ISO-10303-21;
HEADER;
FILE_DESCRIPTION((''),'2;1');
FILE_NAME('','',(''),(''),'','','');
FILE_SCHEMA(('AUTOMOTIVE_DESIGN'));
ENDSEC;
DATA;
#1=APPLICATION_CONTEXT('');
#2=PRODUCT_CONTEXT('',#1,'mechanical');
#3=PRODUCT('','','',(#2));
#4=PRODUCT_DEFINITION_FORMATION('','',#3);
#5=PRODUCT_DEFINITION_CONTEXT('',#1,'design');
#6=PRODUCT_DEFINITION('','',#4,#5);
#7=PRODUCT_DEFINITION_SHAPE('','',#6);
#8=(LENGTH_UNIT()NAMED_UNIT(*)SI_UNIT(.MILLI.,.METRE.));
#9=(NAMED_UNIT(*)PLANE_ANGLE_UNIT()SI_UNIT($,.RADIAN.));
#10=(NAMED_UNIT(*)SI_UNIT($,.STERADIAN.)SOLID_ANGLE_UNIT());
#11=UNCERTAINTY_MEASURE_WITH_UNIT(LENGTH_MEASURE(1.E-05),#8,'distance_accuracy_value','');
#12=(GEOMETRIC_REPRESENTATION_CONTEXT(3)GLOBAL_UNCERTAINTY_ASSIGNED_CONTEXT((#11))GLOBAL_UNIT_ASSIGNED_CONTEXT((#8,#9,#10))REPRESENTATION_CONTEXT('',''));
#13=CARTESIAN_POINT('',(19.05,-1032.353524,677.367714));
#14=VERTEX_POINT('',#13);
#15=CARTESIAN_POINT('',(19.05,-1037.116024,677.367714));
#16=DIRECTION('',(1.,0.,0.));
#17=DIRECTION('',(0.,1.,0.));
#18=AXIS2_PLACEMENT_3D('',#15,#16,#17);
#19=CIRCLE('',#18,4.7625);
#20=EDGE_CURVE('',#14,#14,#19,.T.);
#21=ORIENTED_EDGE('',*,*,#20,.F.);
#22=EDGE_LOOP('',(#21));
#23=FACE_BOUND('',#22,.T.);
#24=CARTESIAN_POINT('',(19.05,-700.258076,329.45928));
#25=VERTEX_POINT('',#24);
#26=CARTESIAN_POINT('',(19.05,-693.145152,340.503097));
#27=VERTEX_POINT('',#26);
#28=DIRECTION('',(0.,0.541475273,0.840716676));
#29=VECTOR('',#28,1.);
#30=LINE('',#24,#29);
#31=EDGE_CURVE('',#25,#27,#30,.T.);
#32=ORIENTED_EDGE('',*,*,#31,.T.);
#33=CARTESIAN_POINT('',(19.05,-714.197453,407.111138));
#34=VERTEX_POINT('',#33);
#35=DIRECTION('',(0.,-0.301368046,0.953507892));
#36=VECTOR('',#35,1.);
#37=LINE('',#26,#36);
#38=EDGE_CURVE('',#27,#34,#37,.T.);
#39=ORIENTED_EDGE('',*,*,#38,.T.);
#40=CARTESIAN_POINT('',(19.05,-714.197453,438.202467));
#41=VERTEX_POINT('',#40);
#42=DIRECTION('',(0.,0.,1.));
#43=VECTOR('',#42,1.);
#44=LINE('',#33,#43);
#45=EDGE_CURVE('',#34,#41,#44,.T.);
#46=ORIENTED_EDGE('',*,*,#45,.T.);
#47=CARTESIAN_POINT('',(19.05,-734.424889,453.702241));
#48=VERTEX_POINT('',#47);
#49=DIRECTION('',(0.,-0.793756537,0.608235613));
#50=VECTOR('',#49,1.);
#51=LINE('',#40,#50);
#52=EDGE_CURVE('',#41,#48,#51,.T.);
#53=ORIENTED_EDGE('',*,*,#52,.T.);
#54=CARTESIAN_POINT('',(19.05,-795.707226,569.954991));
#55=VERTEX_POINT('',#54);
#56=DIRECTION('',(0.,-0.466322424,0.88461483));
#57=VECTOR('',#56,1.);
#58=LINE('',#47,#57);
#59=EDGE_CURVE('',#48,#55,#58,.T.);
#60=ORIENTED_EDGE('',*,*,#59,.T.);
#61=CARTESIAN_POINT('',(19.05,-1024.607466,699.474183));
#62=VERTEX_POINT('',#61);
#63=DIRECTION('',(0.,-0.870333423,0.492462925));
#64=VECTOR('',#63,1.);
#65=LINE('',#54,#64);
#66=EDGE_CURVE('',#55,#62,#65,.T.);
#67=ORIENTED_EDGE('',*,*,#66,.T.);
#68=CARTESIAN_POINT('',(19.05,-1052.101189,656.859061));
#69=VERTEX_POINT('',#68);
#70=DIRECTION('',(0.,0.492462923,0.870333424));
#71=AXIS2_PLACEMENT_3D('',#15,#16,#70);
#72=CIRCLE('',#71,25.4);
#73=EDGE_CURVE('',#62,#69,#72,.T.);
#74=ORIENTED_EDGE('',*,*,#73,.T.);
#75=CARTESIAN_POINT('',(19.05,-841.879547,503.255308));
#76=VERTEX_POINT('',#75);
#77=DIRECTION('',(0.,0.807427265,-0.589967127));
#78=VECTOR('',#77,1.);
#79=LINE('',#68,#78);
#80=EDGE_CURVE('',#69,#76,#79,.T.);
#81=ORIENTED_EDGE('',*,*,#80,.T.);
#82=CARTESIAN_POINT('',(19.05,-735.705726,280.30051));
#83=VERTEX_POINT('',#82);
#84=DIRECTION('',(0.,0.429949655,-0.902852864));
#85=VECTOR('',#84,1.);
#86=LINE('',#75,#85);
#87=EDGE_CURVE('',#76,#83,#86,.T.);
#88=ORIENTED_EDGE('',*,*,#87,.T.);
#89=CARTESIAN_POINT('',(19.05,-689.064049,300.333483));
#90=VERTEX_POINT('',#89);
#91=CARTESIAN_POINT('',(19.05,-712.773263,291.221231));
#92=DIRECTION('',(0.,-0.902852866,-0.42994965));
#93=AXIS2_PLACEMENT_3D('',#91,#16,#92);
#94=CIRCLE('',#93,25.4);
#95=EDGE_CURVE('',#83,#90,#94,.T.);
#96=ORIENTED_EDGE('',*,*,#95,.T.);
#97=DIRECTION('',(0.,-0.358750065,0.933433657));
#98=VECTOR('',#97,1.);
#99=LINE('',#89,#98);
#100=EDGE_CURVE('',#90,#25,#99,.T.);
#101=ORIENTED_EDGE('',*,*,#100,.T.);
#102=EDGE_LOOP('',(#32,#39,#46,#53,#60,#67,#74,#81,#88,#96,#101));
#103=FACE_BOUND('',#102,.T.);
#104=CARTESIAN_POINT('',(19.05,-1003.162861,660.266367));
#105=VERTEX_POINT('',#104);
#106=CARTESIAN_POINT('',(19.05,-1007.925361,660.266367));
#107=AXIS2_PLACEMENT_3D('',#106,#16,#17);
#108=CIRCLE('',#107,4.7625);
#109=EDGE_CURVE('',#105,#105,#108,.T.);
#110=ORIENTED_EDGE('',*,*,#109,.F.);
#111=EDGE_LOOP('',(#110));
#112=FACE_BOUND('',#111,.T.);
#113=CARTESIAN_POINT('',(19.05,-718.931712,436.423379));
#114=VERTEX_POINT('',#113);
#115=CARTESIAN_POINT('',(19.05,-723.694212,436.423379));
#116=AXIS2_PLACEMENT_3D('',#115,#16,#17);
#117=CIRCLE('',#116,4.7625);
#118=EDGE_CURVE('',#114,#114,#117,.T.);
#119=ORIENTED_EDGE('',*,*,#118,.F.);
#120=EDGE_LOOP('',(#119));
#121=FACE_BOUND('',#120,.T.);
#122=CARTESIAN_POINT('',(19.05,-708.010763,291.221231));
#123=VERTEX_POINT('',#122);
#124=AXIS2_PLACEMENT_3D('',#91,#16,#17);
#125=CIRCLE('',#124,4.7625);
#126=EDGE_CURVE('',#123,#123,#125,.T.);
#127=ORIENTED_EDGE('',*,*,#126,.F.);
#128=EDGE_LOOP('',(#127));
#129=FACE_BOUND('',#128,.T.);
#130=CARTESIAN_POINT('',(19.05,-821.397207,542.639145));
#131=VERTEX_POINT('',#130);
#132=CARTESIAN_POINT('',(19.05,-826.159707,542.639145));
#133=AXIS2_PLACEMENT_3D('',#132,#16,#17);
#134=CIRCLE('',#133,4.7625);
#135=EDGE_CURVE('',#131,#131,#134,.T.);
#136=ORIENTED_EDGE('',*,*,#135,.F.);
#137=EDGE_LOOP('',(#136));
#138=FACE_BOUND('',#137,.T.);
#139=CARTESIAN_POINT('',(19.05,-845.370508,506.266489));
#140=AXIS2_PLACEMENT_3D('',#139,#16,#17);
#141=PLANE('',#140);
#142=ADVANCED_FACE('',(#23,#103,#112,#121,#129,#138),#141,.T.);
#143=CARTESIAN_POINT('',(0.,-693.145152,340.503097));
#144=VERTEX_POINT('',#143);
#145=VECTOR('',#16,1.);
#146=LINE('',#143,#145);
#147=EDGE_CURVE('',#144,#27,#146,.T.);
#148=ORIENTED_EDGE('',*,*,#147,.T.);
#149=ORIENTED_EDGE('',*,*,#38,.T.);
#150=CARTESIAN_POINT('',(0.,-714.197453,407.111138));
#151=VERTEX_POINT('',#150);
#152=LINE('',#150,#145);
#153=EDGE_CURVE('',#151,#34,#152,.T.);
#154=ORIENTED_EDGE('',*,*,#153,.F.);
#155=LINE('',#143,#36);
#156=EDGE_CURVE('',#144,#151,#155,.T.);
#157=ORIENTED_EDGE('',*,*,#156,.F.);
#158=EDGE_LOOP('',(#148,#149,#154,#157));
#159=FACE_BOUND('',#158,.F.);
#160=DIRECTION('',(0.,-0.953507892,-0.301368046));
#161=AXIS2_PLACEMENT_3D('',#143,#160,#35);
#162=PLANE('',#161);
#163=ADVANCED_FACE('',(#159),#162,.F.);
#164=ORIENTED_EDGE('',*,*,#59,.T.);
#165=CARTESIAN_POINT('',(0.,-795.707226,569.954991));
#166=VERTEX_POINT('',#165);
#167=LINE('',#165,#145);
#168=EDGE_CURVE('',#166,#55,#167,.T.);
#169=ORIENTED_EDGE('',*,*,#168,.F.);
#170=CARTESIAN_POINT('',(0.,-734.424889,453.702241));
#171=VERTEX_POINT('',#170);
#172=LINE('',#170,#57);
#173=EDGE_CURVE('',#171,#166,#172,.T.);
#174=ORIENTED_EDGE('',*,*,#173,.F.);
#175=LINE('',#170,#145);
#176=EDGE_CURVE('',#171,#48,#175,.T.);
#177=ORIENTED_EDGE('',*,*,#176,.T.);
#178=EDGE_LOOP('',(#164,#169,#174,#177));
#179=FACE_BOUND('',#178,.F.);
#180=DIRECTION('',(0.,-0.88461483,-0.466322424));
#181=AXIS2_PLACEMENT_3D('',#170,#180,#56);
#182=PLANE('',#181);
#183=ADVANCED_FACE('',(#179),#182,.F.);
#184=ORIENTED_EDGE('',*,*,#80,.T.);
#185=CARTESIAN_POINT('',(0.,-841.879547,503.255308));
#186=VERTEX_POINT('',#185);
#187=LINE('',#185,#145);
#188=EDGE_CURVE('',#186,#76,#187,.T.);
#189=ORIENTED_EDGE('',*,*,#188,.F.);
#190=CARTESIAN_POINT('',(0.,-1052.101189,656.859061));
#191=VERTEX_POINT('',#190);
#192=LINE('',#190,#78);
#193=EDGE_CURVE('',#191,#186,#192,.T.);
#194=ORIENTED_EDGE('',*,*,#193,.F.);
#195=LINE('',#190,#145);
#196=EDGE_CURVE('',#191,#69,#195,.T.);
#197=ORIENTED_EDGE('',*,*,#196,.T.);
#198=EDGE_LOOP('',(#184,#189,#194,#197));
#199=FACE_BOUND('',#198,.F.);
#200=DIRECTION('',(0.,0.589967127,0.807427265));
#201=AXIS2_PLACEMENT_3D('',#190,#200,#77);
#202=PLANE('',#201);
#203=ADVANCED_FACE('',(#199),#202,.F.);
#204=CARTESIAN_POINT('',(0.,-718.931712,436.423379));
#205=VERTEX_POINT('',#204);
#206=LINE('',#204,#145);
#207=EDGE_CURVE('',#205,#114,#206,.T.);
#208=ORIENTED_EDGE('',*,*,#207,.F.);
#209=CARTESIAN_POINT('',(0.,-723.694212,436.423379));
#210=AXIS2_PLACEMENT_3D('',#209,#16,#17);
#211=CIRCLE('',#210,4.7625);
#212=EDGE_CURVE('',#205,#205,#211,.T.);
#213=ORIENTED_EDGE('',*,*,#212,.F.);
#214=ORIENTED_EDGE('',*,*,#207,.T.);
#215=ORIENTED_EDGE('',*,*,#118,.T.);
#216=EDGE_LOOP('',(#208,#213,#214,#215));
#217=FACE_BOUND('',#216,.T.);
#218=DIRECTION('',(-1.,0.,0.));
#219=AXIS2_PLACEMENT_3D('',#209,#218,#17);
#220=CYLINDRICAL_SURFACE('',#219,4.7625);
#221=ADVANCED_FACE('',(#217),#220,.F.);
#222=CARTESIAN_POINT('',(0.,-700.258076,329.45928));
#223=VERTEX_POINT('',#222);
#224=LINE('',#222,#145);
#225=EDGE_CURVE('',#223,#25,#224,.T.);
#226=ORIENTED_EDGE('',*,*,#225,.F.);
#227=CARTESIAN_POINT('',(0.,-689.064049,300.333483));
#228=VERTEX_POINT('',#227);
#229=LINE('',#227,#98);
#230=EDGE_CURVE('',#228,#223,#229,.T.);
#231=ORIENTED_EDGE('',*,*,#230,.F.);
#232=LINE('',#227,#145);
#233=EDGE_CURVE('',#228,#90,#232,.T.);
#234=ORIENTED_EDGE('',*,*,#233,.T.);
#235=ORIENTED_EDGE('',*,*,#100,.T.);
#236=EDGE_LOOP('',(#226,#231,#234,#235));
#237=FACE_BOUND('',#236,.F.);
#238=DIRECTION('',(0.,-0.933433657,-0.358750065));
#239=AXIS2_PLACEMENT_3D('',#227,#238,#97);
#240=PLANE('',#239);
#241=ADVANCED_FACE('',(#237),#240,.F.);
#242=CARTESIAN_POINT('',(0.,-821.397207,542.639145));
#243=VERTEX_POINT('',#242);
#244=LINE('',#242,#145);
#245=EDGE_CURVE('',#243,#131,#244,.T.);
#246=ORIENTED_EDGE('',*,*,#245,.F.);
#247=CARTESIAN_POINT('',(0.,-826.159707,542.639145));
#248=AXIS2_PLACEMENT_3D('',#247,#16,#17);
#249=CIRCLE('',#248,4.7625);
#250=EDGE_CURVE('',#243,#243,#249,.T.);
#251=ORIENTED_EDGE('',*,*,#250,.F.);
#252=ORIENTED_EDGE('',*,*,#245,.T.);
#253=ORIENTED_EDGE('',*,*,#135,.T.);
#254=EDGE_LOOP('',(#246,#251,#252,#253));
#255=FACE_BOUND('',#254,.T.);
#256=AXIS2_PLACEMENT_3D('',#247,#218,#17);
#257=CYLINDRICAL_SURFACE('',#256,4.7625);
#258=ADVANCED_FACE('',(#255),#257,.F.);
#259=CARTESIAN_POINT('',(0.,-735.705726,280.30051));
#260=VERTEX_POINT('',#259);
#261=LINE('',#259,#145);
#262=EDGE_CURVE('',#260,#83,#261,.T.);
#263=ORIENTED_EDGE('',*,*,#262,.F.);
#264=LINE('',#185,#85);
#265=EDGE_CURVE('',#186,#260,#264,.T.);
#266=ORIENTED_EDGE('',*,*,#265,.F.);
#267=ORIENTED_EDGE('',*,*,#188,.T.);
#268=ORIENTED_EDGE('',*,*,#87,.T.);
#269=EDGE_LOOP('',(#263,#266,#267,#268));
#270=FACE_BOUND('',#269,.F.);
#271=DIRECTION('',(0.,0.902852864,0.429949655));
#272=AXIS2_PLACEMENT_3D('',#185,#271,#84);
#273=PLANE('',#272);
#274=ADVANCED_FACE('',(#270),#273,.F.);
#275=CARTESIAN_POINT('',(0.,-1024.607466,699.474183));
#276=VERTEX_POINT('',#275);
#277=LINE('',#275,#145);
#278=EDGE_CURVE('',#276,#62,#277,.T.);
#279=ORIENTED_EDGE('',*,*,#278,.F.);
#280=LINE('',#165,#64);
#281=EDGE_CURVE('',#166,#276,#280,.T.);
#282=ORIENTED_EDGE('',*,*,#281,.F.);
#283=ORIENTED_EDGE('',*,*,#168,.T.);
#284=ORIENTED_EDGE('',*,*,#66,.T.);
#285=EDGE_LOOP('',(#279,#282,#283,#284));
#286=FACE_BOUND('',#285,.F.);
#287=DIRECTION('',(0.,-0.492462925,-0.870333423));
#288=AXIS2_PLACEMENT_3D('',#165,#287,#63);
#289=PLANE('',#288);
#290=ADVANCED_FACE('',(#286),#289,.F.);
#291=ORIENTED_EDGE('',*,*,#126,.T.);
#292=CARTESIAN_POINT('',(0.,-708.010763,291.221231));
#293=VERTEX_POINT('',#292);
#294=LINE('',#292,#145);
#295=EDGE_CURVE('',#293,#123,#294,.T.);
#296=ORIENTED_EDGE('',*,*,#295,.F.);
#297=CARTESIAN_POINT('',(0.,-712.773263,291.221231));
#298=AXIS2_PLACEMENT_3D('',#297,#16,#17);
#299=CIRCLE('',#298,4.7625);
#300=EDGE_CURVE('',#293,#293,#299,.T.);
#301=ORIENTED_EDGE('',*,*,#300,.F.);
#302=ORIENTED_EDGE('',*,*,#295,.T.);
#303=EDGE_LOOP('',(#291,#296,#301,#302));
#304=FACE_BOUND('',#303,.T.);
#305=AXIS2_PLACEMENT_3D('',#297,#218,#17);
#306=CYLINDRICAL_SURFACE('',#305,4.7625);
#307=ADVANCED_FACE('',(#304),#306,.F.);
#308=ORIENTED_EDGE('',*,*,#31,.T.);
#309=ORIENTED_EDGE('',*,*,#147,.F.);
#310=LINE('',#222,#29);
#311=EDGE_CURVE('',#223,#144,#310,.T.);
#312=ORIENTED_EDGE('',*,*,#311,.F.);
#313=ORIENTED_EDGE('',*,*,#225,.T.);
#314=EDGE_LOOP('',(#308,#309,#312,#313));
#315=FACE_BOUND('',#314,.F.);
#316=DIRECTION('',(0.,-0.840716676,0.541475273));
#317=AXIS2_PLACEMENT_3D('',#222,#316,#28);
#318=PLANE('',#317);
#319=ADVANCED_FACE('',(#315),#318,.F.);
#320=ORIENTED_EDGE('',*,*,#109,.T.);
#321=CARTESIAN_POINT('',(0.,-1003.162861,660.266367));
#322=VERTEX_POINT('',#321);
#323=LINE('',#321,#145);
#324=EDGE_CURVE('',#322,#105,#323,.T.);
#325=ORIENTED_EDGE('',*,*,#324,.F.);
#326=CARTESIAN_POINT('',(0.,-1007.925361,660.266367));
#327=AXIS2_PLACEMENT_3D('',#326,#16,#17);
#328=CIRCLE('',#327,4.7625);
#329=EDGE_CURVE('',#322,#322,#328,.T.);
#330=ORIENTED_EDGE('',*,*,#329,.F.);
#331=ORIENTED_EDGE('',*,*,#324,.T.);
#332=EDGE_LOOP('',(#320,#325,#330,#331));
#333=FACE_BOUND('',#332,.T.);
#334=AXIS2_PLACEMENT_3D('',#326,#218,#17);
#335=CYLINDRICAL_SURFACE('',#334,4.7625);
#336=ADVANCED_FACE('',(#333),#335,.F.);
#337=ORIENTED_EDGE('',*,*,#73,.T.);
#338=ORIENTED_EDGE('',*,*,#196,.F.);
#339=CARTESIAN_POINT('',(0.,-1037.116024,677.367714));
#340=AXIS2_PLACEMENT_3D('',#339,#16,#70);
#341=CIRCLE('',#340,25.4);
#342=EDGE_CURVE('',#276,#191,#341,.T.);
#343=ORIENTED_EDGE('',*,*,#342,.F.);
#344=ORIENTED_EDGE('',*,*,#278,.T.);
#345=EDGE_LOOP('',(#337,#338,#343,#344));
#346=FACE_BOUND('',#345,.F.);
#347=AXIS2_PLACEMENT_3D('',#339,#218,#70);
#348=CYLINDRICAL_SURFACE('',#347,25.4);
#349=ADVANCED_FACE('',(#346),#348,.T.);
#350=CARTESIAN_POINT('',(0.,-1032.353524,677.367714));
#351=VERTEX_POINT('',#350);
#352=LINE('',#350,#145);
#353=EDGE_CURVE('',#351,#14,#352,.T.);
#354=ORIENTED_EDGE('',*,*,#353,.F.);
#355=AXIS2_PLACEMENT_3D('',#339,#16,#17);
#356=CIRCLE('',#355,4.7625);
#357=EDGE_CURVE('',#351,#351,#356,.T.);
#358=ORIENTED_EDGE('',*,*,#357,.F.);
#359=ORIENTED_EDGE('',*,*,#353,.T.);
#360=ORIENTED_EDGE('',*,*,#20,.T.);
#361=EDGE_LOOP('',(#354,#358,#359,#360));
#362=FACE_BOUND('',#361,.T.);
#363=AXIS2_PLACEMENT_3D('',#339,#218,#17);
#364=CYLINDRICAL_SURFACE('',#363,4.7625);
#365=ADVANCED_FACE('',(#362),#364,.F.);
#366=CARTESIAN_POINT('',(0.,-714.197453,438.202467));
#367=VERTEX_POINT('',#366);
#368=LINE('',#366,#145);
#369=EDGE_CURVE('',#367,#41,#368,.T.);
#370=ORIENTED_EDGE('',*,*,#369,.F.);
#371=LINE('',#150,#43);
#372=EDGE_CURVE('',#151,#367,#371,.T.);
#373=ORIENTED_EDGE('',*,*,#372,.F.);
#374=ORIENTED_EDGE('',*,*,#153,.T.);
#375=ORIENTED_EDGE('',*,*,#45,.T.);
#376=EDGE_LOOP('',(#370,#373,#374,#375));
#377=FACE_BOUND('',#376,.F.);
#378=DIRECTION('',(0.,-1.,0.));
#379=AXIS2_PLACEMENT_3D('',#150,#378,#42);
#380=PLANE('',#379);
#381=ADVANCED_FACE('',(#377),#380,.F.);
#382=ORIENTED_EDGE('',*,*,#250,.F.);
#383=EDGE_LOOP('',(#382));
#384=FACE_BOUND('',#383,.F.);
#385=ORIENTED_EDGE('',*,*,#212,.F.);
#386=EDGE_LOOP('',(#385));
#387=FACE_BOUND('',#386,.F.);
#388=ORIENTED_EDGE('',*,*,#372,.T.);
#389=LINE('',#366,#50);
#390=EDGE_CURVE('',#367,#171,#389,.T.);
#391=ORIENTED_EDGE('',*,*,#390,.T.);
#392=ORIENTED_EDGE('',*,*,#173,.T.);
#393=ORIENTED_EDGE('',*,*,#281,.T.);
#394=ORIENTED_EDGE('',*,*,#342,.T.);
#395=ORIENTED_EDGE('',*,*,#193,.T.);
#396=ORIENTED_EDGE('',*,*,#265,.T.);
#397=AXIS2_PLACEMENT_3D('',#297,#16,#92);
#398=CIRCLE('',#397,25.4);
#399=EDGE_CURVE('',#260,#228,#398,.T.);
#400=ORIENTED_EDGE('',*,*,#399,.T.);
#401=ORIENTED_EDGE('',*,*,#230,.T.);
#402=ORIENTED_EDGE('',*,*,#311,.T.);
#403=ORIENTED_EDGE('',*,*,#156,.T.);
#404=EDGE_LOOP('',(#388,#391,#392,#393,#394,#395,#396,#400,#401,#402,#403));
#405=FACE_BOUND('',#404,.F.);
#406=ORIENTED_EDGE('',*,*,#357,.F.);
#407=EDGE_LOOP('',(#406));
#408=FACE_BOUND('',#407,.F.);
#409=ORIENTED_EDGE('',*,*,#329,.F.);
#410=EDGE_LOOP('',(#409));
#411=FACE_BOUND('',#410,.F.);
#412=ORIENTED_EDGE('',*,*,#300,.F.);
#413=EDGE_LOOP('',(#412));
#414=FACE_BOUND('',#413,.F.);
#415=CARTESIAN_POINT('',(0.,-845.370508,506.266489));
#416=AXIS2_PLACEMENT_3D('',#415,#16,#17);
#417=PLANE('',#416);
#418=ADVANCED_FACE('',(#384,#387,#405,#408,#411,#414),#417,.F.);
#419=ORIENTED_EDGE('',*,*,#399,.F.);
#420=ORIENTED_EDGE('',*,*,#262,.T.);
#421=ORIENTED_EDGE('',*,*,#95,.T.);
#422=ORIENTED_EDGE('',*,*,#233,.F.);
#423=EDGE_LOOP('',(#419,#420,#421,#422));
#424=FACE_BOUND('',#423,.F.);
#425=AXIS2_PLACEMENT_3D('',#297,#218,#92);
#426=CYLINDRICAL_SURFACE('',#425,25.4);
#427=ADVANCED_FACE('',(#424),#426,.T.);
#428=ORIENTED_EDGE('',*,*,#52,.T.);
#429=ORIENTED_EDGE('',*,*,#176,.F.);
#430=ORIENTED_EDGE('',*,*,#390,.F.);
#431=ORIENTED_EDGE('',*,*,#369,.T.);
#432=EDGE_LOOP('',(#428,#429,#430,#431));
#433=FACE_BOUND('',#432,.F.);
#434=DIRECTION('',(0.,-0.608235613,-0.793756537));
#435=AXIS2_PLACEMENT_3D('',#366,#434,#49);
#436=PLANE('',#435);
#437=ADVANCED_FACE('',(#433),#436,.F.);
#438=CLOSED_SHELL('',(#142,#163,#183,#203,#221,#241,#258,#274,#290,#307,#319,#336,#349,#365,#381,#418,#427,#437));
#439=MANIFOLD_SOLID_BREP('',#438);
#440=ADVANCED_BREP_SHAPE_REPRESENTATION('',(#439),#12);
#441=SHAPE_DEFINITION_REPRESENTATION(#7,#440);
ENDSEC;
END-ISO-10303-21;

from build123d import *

# Parameters (mm, degrees)
F2_R     = 4.7625
F3_DEPTH = 19.05


with BuildPart() as f3:
    # F2 (on Right) → F3 (new body)
    with BuildSketch(Plane.YZ):
        with BuildLine():
            ThreePointArc((-1024.607466, 699.474183), (-1058.459537, 691.137771), (-1052.101189, 656.859061))
            Line((-1052.101189, 656.859061), (-841.879547, 503.255308))
            Line((-841.879547, 503.255308), (-735.705726, 280.30051))
            ThreePointArc((-735.705726, 280.30051), (-702.74925, 267.882869), (-689.064049, 300.333483))
            Line((-689.064049, 300.333483), (-700.258076, 329.45928))
            Line((-700.258076, 329.45928), (-693.145152, 340.503097))
            Line((-693.145152, 340.503097), (-714.197453, 407.111138))
            Line((-714.197453, 407.111138), (-714.197453, 438.202467))
            Line((-714.197453, 438.202467), (-734.424889, 453.702241))
            Line((-734.424889, 453.702241), (-795.707226, 569.954991))
            Line((-795.707226, 569.954991), (-1024.607466, 699.474183))
        make_face()
        with Locations((-712.773263, 291.221231)):
            Circle(F2_R, mode=Mode.SUBTRACT)
        with Locations((-723.694212, 436.423379)):
            Circle(F2_R, mode=Mode.SUBTRACT)
        with Locations((-1037.116024, 677.367714)):
            Circle(F2_R, mode=Mode.SUBTRACT)
        with Locations((-1007.925361, 660.266367)):
            Circle(F2_R, mode=Mode.SUBTRACT)
        with Locations((-826.159707, 542.639145)):
            Circle(F2_R, mode=Mode.SUBTRACT)
    extrude(amount=F3_DEPTH)


solid = f3.part
